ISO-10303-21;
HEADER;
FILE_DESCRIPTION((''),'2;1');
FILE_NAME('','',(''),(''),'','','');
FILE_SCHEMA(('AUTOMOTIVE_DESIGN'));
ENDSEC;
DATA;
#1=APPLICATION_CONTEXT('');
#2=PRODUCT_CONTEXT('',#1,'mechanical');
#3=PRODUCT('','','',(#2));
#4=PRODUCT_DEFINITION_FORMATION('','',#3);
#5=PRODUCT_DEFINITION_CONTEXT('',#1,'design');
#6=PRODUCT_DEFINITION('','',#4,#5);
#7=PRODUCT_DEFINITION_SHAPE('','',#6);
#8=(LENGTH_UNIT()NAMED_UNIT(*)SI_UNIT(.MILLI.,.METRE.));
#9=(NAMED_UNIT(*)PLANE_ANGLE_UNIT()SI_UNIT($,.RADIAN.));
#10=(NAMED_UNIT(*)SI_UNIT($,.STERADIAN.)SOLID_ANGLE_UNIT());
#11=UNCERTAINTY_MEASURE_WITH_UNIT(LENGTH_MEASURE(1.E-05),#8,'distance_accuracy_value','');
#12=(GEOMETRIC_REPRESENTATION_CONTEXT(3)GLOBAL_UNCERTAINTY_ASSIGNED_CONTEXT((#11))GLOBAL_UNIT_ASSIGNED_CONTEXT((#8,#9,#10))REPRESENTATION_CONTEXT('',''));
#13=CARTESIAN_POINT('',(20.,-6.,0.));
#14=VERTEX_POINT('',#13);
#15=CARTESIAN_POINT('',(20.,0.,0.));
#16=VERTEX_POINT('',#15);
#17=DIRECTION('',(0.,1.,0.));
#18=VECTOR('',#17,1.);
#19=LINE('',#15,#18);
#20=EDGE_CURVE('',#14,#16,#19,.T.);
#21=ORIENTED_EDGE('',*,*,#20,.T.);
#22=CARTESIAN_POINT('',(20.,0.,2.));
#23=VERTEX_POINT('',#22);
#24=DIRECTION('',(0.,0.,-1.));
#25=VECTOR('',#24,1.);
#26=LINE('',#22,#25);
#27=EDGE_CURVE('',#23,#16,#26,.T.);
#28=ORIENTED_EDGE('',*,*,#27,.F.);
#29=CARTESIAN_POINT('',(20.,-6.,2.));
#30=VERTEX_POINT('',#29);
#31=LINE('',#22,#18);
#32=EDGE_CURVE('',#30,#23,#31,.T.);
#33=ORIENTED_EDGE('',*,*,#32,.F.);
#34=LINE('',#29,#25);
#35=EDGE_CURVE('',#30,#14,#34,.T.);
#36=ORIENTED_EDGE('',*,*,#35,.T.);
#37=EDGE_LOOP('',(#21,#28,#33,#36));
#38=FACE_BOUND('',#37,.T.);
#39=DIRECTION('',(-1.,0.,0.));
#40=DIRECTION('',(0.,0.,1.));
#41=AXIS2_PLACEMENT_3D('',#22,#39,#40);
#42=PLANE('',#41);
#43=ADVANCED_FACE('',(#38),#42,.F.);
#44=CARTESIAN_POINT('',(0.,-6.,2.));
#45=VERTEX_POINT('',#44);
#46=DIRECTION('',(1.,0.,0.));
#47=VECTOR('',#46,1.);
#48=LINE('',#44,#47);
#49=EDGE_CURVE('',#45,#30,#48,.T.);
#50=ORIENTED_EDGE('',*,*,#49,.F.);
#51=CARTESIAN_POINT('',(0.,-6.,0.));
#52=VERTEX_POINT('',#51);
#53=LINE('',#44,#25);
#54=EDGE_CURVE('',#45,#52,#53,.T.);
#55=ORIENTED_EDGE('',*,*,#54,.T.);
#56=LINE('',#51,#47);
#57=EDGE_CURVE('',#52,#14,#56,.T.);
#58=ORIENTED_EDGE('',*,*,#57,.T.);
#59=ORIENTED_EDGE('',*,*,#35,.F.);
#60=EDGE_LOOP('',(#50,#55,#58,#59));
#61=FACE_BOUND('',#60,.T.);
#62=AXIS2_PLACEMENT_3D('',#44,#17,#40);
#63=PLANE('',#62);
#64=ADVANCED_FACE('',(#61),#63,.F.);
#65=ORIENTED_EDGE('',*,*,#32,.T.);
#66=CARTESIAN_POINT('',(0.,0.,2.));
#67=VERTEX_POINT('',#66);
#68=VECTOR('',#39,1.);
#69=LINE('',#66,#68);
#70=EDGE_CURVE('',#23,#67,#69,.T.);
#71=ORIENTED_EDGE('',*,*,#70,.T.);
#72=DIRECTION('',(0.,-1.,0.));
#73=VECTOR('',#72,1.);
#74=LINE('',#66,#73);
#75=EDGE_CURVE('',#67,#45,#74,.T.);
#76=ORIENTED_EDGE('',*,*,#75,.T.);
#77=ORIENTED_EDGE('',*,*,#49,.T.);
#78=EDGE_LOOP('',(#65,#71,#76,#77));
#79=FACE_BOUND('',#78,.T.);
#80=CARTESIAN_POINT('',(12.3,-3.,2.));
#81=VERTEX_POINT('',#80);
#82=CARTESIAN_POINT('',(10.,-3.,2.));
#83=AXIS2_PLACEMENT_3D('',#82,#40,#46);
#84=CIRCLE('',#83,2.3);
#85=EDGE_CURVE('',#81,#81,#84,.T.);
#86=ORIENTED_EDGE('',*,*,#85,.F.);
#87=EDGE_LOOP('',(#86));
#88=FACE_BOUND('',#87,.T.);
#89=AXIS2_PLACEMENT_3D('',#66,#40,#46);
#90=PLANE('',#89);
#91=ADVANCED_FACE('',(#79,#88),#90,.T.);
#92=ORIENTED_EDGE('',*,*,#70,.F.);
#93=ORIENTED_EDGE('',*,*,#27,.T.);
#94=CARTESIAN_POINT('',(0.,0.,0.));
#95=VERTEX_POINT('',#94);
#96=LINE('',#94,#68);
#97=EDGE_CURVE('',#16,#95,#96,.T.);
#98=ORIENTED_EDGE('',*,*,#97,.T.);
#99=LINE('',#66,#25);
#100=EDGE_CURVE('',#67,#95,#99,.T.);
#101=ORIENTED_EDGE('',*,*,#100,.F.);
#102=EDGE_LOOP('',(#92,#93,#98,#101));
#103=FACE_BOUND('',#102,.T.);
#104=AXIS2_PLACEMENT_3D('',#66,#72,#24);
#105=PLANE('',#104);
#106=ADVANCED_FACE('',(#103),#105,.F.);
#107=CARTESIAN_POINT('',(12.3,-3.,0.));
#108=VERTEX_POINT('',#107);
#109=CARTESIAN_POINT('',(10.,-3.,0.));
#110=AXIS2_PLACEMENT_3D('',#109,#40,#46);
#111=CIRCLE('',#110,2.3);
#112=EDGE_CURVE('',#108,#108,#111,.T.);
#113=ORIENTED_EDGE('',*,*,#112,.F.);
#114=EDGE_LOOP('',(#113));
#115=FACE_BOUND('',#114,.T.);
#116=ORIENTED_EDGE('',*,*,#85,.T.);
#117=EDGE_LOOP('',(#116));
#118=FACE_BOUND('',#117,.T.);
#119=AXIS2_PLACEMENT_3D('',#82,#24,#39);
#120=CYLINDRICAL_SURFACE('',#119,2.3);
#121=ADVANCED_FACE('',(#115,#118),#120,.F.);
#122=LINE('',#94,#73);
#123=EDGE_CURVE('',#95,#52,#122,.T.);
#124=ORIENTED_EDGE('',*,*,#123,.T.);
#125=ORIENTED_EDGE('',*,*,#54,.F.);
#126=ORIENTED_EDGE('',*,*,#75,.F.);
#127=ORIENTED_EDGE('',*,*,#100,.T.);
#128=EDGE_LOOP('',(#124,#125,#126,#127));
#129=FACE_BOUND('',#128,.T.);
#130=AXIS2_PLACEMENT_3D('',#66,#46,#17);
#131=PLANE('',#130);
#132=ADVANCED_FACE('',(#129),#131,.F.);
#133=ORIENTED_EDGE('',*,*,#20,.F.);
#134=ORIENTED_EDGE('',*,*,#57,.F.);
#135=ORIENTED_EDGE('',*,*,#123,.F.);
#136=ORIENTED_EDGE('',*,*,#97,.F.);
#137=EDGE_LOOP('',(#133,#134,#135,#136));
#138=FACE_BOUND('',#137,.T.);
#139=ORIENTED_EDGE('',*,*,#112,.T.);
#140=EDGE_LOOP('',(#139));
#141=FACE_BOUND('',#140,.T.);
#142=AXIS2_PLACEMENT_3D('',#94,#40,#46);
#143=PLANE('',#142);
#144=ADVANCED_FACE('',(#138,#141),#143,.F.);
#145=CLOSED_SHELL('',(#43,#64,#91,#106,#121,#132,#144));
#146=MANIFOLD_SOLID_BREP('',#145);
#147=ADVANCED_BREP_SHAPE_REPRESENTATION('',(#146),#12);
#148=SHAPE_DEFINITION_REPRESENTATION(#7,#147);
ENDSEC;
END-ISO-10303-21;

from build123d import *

# Parameters (mm, degrees)
SKETCH4_W           = 20
SKETCH4_H           = 6
SKETCH4_R           = 2.3
BOSS_EXTRUDE2_DEPTH = 2


with BuildPart() as part:
    # Sketch4 → Boss-Extrude2 (new body)
    with BuildSketch(Plane.XY):
        with Locations((10, -3)):
            Rectangle(SKETCH4_W, SKETCH4_H)
        with Locations((10, -3)):
            Circle(SKETCH4_R, mode=Mode.SUBTRACT)
    extrude(amount=BOSS_EXTRUDE2_DEPTH)


solid = part.part
